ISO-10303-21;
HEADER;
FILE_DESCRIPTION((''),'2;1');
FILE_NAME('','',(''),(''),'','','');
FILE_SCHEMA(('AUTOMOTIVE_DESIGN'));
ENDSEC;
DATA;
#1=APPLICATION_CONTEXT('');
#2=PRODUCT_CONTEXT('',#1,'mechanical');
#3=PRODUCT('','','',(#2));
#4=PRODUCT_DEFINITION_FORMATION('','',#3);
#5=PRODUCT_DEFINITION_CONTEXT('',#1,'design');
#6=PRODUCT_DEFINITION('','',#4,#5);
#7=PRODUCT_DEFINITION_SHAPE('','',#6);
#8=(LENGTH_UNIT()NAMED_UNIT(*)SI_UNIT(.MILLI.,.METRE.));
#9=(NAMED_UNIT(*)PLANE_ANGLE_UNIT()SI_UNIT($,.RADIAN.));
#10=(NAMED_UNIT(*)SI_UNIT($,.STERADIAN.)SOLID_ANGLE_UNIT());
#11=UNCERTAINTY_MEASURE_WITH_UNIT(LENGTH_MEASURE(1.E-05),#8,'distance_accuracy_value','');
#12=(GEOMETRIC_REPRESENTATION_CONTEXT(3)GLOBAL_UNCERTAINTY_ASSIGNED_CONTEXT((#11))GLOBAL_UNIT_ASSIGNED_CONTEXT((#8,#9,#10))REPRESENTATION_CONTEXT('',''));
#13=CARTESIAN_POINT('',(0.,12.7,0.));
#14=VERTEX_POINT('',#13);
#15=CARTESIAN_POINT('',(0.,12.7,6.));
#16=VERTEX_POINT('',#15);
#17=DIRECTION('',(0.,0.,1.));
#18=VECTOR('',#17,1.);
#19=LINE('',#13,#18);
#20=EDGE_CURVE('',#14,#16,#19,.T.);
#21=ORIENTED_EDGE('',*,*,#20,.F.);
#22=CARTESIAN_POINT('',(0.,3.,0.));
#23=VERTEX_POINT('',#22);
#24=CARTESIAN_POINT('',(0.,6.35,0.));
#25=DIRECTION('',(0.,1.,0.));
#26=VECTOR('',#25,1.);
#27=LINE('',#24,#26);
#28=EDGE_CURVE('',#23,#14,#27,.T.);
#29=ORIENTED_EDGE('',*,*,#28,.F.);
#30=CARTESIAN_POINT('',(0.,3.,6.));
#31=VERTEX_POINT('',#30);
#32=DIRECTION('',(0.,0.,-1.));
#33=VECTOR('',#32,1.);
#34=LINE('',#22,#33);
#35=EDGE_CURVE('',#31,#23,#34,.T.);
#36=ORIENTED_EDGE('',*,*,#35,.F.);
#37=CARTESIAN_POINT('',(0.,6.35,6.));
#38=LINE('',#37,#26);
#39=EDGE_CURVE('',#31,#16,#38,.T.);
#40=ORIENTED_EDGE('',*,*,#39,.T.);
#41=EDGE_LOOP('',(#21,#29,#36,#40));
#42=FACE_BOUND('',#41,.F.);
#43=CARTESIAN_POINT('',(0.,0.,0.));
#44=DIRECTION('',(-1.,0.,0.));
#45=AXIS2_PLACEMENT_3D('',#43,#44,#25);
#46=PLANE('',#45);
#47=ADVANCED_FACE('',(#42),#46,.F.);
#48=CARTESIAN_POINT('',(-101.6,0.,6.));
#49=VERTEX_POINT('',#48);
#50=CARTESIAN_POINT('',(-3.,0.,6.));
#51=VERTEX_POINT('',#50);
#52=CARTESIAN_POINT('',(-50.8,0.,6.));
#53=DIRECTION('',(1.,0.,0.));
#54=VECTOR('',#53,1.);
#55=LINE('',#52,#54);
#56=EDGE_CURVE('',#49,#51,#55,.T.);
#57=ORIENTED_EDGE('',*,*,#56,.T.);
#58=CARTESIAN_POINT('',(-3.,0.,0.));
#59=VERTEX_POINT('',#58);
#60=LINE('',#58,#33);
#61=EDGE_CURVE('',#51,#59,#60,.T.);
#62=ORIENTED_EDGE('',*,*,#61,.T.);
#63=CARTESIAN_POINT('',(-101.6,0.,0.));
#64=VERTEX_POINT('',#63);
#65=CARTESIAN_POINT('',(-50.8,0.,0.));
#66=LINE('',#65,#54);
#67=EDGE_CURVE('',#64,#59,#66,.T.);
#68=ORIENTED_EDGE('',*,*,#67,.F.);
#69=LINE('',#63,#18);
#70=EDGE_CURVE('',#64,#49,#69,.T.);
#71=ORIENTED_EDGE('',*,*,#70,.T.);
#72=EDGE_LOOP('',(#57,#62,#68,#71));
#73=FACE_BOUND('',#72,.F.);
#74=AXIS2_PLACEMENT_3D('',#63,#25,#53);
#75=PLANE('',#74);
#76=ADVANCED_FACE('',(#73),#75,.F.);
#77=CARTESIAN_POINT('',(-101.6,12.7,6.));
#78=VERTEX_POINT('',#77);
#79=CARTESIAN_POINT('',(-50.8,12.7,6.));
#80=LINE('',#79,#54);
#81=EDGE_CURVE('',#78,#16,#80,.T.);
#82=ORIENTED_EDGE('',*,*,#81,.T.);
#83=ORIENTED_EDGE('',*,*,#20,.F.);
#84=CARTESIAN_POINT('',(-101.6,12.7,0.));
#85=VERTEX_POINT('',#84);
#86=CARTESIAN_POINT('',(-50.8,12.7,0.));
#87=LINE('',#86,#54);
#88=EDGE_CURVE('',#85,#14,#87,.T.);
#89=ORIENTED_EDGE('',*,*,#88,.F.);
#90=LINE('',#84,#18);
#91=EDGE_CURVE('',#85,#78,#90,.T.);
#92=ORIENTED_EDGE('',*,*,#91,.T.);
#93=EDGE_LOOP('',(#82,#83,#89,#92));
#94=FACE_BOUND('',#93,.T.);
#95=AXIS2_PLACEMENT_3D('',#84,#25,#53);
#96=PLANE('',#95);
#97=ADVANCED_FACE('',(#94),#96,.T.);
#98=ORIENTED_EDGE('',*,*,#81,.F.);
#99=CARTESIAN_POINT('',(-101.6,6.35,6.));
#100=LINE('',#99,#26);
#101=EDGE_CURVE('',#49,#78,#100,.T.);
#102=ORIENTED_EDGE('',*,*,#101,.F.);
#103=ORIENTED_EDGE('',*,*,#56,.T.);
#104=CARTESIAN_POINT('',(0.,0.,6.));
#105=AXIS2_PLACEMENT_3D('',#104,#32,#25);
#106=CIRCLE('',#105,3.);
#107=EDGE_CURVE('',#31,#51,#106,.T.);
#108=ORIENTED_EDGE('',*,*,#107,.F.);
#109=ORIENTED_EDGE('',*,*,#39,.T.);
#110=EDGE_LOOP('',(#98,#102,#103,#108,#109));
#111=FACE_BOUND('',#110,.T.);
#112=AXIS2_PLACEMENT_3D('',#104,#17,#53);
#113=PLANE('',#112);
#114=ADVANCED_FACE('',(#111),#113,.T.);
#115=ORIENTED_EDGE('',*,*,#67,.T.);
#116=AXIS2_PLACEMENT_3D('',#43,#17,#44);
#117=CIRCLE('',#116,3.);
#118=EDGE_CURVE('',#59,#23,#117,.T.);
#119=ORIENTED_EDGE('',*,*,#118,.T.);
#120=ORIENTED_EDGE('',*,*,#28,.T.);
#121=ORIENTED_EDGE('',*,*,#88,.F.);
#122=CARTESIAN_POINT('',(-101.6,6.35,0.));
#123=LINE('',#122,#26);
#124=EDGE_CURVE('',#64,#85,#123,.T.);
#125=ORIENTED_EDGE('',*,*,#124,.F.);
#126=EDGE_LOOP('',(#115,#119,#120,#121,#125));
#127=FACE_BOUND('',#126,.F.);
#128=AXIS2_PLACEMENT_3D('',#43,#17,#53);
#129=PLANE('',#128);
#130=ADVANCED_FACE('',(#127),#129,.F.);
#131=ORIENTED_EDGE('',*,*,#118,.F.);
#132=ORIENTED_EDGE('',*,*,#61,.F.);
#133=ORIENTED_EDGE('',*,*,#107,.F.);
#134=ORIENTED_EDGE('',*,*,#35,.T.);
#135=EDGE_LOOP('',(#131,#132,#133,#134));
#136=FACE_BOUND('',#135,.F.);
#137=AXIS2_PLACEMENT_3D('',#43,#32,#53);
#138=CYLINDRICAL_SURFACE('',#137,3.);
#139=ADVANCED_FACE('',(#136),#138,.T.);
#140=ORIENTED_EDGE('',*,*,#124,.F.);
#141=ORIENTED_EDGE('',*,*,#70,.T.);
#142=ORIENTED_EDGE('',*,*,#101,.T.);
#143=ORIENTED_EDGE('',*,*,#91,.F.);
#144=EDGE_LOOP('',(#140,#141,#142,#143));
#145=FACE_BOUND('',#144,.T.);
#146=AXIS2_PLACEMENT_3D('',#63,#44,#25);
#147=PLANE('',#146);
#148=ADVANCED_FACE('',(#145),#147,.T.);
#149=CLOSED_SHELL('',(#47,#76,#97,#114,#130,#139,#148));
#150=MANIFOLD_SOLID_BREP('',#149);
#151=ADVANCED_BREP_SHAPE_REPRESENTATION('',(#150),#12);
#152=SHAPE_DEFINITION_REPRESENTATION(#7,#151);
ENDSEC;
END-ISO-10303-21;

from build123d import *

# Parameters (mm, degrees)
F0_W     = 101.6
F0_H     = 12.7
F1_DEPTH = 6
F2_R     = 3
F3_DEPTH = 6


with BuildPart() as f1:
    # F0 (on Top) → F1 (new body)
    with BuildSketch(Plane.XY):
        with Locations((-50.8, 6.35)):
            Rectangle(F0_W, F0_H)
    extrude(amount=F1_DEPTH)

    # F2 (on Top) → F3 (join)
    with BuildSketch(Plane.XY):
        Circle(F2_R)
    extrude(amount=F3_DEPTH)


solid = f1.part
